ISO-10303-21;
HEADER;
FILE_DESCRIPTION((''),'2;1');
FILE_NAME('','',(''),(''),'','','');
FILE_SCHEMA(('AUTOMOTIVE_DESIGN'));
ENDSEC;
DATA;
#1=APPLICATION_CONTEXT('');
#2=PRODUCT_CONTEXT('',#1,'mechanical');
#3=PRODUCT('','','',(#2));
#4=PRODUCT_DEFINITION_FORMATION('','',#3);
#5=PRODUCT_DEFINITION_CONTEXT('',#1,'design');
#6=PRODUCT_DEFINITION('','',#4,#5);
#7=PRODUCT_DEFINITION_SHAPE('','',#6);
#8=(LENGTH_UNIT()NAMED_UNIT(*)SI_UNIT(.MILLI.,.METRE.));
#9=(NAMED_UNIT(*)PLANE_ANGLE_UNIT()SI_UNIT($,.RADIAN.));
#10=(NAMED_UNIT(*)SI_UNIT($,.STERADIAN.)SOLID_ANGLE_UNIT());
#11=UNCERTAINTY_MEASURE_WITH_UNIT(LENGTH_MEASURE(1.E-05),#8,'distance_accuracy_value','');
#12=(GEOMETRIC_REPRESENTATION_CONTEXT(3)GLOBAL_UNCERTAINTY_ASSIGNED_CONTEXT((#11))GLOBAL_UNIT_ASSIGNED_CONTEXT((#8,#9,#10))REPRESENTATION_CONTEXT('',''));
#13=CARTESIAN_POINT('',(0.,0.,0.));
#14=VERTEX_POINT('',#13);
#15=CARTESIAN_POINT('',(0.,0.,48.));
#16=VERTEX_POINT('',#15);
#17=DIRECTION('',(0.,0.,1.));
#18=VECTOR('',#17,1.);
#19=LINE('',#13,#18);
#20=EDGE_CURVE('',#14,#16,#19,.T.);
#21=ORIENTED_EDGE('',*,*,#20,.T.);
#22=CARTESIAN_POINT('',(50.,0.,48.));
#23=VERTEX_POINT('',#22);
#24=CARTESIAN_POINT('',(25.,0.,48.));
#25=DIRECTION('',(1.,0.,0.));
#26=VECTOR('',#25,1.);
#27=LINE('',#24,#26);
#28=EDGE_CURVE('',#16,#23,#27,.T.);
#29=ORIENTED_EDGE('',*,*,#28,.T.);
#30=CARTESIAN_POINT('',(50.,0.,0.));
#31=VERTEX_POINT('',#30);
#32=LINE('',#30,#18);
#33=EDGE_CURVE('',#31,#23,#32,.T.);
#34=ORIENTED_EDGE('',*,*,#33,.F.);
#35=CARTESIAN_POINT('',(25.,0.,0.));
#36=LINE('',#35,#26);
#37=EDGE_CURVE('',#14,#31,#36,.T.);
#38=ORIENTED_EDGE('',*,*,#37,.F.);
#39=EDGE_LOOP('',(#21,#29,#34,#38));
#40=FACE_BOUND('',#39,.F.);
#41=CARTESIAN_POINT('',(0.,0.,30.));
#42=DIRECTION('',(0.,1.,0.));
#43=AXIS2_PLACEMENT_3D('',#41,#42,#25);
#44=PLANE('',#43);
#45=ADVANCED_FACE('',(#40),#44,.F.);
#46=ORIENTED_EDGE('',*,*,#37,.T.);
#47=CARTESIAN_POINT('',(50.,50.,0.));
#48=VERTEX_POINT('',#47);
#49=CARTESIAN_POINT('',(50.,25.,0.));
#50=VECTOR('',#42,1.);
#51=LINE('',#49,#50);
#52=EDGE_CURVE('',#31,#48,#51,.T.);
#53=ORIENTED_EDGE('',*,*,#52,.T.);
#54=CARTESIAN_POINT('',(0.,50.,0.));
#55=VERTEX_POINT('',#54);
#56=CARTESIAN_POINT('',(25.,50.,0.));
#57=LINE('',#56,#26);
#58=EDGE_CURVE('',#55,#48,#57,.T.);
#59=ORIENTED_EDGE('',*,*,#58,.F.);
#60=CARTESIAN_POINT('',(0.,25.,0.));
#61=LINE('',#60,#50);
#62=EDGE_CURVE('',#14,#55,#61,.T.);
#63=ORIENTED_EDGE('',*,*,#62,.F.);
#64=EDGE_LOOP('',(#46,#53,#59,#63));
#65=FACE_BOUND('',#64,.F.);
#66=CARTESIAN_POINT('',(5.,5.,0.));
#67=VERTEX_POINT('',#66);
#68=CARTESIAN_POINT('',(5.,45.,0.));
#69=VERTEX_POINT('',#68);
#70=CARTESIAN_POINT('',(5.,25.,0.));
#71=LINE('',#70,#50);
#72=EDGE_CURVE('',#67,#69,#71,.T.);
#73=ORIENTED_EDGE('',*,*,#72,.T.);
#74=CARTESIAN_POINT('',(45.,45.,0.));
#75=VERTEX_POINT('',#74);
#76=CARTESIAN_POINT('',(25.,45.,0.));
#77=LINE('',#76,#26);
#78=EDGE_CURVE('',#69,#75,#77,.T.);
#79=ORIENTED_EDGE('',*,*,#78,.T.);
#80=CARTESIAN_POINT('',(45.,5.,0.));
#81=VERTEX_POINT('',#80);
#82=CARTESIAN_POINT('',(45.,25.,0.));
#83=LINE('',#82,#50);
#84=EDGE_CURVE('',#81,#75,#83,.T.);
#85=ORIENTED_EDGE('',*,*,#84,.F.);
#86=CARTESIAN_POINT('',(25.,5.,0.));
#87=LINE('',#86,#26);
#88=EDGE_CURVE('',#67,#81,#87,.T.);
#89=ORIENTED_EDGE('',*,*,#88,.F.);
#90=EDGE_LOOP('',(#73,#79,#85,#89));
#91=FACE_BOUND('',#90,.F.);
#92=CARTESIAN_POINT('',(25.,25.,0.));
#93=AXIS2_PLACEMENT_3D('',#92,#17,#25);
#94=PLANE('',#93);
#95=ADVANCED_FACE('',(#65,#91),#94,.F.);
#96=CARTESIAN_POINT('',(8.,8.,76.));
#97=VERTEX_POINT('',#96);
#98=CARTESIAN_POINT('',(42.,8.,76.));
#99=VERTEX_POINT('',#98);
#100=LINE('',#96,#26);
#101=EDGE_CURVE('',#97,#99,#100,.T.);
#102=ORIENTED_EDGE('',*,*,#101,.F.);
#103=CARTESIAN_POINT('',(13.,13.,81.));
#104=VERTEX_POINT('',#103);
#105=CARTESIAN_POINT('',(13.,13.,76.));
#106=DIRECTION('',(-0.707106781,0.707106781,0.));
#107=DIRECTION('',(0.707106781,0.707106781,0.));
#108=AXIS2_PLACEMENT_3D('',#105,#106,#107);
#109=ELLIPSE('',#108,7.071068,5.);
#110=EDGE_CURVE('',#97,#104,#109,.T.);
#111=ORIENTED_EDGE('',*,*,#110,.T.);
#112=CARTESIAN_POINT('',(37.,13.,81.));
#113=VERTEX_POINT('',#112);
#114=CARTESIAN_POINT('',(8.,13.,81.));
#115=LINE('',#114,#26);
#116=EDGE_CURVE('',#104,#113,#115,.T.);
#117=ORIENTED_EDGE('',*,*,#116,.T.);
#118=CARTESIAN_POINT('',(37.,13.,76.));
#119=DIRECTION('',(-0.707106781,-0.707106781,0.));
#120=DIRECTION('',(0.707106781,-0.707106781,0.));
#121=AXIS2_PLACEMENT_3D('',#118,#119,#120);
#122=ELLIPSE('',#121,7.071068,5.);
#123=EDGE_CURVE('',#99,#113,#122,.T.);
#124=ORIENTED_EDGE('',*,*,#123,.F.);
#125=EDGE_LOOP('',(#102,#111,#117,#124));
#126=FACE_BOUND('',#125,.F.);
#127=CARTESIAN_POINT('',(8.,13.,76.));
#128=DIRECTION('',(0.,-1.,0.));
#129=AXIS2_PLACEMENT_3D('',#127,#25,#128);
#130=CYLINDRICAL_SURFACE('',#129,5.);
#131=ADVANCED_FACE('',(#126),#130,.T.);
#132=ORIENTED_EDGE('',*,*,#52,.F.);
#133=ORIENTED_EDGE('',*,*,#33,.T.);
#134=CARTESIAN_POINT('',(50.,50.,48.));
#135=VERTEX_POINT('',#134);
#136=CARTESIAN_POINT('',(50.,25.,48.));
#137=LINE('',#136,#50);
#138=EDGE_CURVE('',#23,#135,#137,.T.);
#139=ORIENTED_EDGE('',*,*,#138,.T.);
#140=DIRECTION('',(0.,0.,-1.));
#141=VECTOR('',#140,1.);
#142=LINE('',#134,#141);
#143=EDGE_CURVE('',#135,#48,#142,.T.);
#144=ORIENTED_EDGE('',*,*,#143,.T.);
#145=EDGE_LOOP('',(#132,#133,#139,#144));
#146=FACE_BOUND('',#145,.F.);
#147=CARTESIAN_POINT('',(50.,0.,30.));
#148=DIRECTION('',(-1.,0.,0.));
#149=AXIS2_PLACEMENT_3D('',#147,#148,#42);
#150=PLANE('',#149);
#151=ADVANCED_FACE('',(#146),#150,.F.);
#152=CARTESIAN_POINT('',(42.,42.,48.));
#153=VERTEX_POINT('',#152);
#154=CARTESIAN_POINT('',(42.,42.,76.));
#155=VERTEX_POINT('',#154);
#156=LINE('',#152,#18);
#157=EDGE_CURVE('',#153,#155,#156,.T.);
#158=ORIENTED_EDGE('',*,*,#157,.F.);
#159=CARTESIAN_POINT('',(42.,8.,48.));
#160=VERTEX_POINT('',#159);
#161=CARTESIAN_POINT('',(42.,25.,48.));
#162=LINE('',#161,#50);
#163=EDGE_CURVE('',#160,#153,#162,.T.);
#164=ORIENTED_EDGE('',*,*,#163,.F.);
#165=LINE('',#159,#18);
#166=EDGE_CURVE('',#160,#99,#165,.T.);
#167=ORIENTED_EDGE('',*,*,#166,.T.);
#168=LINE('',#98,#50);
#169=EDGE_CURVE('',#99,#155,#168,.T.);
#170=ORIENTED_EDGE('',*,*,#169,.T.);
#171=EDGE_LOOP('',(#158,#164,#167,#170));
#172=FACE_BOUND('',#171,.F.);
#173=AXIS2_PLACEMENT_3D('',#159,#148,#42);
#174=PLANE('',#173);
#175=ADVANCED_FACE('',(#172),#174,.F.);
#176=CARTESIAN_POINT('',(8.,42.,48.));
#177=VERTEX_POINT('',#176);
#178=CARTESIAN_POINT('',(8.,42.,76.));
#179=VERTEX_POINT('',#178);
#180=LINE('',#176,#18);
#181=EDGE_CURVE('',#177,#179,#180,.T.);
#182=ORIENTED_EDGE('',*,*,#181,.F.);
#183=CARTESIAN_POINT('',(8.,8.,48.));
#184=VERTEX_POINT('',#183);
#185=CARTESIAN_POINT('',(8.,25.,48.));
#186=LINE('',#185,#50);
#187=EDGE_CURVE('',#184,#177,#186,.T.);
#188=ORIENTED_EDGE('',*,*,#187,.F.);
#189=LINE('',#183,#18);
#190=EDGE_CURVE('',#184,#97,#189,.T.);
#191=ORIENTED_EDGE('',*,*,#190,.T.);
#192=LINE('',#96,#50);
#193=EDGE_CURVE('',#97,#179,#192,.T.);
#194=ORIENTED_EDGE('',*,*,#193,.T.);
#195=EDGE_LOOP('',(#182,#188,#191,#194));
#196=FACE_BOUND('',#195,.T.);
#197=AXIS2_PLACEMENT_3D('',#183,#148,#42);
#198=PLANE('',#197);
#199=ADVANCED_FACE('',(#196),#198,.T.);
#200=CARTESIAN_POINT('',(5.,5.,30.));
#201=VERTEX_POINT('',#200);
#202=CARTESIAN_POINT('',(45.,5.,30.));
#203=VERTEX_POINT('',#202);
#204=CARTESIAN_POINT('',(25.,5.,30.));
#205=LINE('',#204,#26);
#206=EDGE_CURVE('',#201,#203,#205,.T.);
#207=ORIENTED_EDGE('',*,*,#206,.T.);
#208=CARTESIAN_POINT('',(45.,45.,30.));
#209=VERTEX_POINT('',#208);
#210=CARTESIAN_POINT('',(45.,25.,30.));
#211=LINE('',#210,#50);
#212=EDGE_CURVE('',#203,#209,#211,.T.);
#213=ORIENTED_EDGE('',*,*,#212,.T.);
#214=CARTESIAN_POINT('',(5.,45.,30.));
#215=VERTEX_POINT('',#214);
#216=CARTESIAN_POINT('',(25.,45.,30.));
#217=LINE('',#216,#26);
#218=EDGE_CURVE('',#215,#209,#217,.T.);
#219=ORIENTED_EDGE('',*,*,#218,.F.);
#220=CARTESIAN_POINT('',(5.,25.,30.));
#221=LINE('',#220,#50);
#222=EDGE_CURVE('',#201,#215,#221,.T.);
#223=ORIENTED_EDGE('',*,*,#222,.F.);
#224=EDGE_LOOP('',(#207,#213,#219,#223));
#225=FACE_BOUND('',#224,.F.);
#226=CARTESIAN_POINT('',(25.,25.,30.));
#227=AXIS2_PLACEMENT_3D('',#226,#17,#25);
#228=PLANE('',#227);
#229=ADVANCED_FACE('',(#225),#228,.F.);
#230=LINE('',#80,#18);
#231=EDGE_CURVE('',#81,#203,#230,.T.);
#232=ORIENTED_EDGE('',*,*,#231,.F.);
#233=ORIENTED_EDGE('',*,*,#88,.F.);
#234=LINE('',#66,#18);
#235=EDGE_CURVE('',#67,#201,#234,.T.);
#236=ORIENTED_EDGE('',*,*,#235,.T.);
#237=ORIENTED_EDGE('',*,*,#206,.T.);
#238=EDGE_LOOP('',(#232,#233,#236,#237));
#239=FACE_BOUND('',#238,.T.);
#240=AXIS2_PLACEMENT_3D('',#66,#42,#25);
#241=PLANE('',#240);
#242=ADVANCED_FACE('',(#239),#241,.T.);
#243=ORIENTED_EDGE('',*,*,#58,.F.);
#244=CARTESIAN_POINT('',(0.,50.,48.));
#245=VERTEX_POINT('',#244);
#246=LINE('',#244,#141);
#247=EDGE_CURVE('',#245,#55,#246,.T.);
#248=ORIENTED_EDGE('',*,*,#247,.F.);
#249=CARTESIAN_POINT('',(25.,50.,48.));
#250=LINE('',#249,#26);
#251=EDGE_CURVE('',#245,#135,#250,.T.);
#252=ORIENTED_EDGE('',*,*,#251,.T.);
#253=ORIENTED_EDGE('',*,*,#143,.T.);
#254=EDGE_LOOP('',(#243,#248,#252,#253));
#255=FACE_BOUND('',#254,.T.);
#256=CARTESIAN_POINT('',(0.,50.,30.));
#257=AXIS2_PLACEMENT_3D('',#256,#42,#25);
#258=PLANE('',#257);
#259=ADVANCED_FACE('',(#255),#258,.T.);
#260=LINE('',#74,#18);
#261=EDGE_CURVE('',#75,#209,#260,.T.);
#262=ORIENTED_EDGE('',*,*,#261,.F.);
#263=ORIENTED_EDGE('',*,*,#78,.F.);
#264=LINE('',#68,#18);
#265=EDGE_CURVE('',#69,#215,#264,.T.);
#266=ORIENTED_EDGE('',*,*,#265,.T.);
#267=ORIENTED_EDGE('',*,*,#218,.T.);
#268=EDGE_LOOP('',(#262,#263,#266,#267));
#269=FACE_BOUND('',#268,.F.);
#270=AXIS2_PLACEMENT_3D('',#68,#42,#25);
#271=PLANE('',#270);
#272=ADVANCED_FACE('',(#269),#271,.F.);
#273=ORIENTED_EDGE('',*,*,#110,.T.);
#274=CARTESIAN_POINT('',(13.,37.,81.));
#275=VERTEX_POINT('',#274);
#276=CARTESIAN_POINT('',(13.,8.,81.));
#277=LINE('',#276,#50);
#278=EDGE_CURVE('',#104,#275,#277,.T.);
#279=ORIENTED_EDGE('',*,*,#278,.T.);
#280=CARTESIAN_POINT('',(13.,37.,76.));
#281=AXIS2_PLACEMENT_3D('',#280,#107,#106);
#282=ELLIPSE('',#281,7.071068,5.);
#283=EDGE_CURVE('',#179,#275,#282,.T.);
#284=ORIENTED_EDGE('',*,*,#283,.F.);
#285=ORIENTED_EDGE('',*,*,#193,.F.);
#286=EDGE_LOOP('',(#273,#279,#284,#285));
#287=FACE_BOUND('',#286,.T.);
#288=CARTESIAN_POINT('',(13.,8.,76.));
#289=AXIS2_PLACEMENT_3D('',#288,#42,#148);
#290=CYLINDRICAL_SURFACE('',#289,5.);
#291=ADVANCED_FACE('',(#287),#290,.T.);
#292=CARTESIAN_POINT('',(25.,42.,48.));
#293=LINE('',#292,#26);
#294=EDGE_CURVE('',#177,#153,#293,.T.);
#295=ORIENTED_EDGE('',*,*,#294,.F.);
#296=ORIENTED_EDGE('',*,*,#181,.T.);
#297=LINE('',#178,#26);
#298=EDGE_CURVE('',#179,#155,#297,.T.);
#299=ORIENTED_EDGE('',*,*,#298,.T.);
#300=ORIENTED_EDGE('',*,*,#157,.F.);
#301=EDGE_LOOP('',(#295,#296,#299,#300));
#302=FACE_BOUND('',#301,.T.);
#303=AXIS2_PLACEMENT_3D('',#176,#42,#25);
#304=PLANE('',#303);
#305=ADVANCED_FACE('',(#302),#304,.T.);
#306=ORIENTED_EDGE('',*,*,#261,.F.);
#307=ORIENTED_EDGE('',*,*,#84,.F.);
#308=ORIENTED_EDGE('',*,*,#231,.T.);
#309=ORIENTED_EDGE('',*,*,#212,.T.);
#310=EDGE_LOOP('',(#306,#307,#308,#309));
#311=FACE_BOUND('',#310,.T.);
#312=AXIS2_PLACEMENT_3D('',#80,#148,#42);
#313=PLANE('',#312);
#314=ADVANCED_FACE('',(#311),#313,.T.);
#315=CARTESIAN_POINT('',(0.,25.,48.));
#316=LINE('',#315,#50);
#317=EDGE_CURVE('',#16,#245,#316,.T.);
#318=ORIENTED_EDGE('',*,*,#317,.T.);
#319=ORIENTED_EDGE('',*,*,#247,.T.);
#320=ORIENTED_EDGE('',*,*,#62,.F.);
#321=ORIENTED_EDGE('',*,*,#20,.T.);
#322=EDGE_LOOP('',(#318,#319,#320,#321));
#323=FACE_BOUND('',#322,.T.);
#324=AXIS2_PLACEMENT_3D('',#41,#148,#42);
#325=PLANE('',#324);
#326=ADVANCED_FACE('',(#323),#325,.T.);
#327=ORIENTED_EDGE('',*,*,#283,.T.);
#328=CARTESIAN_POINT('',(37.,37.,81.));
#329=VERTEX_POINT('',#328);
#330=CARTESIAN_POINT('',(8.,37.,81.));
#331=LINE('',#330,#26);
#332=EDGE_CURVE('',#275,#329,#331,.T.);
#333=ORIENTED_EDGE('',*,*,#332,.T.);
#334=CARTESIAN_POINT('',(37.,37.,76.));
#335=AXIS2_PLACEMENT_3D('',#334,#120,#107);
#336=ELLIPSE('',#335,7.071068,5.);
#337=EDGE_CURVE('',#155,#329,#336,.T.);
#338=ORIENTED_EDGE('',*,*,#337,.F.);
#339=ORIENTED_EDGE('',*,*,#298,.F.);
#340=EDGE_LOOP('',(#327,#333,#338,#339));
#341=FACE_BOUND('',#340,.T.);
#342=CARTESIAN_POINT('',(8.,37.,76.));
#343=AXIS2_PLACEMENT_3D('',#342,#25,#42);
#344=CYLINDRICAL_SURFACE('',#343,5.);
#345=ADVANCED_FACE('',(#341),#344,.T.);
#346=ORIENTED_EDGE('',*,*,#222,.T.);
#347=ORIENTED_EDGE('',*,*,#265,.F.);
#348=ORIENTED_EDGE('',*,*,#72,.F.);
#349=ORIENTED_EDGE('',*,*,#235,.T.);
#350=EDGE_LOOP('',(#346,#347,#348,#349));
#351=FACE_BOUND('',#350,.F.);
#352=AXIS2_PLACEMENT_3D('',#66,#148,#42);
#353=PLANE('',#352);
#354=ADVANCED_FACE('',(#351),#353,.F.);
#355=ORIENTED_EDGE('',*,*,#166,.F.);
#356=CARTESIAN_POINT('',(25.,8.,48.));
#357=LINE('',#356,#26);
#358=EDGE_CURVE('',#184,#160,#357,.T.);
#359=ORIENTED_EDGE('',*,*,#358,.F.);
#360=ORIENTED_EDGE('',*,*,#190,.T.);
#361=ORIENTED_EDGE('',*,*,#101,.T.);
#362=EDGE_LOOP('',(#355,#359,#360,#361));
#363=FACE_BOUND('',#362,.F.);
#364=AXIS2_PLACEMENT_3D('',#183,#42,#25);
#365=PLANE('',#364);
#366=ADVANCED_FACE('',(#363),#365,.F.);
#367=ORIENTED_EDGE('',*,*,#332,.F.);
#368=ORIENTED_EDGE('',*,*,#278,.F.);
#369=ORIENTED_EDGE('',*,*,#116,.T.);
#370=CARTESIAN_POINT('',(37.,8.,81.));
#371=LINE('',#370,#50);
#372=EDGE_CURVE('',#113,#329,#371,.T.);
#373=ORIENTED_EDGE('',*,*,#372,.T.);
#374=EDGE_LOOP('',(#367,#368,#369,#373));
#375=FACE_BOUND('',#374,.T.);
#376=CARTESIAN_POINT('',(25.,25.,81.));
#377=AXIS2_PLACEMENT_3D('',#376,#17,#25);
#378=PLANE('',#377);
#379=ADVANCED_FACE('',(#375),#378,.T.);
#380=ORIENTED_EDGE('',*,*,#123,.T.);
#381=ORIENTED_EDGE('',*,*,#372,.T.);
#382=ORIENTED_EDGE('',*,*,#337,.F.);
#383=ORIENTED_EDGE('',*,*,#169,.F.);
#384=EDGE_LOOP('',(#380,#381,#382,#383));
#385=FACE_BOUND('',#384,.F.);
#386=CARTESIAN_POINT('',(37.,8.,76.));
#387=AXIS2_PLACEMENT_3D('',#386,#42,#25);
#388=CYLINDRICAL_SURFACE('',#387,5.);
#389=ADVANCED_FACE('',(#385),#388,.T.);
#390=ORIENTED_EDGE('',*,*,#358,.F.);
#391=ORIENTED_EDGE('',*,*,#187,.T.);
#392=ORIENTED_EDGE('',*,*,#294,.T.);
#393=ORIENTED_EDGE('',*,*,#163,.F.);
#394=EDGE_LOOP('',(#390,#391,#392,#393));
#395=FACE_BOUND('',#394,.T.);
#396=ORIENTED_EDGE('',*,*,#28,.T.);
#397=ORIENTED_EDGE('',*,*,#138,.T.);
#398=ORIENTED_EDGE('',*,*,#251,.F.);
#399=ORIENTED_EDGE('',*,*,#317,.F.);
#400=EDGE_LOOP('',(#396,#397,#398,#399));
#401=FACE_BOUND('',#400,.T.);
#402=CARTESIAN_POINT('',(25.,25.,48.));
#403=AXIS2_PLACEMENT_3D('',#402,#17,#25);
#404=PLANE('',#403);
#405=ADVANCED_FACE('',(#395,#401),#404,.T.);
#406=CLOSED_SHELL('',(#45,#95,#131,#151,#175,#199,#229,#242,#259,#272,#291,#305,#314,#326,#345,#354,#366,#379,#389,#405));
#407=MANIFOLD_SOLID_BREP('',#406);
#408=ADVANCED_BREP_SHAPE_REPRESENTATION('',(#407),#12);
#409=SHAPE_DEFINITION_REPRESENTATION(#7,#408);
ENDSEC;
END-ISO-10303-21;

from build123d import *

# Parameters (mm, degrees)
F0_W     = 50
F0_H     = 50
F0_W_2   = 40
F0_H_2   = 40
F1_DEPTH = 30
F2_W     = 50
F2_H     = 50
F3_DEPTH = 18
F4_W     = 34
F4_H     = 34
F5_DEPTH = 33
F6_R     = 5


with BuildPart() as f1:
    # F0 (on Top) → F1 (new body)
    with BuildSketch(Plane.XY):
        with Locations((25, 25)):
            Rectangle(F0_W, F0_H)
        with Locations((25, 25)):
            Rectangle(F0_W_2, F0_H_2, mode=Mode.SUBTRACT)
    extrude(amount=F1_DEPTH)

    # F2 (on face) → F3 (join)
    with BuildSketch(Plane.XY.offset(30)):
        with Locations((25, 25)):
            Rectangle(F2_W, F2_H)
    extrude(amount=F3_DEPTH)

    # F4 (on face) → F5 (join)
    with BuildSketch(Plane.XY.offset(48)):
        with Locations((25, 25)):
            Rectangle(F4_W, F4_H)
    extrude(amount=F5_DEPTH)

    # F6
    f6_edges = [f1.edges().sort_by_distance(p)[0] for p in [
        (25, 8, 81),
        (8, 25, 81),
        (25, 42, 81),
        (42, 25, 81),
    ]]
    fillet(f6_edges, radius=F6_R)


solid = f1.part
